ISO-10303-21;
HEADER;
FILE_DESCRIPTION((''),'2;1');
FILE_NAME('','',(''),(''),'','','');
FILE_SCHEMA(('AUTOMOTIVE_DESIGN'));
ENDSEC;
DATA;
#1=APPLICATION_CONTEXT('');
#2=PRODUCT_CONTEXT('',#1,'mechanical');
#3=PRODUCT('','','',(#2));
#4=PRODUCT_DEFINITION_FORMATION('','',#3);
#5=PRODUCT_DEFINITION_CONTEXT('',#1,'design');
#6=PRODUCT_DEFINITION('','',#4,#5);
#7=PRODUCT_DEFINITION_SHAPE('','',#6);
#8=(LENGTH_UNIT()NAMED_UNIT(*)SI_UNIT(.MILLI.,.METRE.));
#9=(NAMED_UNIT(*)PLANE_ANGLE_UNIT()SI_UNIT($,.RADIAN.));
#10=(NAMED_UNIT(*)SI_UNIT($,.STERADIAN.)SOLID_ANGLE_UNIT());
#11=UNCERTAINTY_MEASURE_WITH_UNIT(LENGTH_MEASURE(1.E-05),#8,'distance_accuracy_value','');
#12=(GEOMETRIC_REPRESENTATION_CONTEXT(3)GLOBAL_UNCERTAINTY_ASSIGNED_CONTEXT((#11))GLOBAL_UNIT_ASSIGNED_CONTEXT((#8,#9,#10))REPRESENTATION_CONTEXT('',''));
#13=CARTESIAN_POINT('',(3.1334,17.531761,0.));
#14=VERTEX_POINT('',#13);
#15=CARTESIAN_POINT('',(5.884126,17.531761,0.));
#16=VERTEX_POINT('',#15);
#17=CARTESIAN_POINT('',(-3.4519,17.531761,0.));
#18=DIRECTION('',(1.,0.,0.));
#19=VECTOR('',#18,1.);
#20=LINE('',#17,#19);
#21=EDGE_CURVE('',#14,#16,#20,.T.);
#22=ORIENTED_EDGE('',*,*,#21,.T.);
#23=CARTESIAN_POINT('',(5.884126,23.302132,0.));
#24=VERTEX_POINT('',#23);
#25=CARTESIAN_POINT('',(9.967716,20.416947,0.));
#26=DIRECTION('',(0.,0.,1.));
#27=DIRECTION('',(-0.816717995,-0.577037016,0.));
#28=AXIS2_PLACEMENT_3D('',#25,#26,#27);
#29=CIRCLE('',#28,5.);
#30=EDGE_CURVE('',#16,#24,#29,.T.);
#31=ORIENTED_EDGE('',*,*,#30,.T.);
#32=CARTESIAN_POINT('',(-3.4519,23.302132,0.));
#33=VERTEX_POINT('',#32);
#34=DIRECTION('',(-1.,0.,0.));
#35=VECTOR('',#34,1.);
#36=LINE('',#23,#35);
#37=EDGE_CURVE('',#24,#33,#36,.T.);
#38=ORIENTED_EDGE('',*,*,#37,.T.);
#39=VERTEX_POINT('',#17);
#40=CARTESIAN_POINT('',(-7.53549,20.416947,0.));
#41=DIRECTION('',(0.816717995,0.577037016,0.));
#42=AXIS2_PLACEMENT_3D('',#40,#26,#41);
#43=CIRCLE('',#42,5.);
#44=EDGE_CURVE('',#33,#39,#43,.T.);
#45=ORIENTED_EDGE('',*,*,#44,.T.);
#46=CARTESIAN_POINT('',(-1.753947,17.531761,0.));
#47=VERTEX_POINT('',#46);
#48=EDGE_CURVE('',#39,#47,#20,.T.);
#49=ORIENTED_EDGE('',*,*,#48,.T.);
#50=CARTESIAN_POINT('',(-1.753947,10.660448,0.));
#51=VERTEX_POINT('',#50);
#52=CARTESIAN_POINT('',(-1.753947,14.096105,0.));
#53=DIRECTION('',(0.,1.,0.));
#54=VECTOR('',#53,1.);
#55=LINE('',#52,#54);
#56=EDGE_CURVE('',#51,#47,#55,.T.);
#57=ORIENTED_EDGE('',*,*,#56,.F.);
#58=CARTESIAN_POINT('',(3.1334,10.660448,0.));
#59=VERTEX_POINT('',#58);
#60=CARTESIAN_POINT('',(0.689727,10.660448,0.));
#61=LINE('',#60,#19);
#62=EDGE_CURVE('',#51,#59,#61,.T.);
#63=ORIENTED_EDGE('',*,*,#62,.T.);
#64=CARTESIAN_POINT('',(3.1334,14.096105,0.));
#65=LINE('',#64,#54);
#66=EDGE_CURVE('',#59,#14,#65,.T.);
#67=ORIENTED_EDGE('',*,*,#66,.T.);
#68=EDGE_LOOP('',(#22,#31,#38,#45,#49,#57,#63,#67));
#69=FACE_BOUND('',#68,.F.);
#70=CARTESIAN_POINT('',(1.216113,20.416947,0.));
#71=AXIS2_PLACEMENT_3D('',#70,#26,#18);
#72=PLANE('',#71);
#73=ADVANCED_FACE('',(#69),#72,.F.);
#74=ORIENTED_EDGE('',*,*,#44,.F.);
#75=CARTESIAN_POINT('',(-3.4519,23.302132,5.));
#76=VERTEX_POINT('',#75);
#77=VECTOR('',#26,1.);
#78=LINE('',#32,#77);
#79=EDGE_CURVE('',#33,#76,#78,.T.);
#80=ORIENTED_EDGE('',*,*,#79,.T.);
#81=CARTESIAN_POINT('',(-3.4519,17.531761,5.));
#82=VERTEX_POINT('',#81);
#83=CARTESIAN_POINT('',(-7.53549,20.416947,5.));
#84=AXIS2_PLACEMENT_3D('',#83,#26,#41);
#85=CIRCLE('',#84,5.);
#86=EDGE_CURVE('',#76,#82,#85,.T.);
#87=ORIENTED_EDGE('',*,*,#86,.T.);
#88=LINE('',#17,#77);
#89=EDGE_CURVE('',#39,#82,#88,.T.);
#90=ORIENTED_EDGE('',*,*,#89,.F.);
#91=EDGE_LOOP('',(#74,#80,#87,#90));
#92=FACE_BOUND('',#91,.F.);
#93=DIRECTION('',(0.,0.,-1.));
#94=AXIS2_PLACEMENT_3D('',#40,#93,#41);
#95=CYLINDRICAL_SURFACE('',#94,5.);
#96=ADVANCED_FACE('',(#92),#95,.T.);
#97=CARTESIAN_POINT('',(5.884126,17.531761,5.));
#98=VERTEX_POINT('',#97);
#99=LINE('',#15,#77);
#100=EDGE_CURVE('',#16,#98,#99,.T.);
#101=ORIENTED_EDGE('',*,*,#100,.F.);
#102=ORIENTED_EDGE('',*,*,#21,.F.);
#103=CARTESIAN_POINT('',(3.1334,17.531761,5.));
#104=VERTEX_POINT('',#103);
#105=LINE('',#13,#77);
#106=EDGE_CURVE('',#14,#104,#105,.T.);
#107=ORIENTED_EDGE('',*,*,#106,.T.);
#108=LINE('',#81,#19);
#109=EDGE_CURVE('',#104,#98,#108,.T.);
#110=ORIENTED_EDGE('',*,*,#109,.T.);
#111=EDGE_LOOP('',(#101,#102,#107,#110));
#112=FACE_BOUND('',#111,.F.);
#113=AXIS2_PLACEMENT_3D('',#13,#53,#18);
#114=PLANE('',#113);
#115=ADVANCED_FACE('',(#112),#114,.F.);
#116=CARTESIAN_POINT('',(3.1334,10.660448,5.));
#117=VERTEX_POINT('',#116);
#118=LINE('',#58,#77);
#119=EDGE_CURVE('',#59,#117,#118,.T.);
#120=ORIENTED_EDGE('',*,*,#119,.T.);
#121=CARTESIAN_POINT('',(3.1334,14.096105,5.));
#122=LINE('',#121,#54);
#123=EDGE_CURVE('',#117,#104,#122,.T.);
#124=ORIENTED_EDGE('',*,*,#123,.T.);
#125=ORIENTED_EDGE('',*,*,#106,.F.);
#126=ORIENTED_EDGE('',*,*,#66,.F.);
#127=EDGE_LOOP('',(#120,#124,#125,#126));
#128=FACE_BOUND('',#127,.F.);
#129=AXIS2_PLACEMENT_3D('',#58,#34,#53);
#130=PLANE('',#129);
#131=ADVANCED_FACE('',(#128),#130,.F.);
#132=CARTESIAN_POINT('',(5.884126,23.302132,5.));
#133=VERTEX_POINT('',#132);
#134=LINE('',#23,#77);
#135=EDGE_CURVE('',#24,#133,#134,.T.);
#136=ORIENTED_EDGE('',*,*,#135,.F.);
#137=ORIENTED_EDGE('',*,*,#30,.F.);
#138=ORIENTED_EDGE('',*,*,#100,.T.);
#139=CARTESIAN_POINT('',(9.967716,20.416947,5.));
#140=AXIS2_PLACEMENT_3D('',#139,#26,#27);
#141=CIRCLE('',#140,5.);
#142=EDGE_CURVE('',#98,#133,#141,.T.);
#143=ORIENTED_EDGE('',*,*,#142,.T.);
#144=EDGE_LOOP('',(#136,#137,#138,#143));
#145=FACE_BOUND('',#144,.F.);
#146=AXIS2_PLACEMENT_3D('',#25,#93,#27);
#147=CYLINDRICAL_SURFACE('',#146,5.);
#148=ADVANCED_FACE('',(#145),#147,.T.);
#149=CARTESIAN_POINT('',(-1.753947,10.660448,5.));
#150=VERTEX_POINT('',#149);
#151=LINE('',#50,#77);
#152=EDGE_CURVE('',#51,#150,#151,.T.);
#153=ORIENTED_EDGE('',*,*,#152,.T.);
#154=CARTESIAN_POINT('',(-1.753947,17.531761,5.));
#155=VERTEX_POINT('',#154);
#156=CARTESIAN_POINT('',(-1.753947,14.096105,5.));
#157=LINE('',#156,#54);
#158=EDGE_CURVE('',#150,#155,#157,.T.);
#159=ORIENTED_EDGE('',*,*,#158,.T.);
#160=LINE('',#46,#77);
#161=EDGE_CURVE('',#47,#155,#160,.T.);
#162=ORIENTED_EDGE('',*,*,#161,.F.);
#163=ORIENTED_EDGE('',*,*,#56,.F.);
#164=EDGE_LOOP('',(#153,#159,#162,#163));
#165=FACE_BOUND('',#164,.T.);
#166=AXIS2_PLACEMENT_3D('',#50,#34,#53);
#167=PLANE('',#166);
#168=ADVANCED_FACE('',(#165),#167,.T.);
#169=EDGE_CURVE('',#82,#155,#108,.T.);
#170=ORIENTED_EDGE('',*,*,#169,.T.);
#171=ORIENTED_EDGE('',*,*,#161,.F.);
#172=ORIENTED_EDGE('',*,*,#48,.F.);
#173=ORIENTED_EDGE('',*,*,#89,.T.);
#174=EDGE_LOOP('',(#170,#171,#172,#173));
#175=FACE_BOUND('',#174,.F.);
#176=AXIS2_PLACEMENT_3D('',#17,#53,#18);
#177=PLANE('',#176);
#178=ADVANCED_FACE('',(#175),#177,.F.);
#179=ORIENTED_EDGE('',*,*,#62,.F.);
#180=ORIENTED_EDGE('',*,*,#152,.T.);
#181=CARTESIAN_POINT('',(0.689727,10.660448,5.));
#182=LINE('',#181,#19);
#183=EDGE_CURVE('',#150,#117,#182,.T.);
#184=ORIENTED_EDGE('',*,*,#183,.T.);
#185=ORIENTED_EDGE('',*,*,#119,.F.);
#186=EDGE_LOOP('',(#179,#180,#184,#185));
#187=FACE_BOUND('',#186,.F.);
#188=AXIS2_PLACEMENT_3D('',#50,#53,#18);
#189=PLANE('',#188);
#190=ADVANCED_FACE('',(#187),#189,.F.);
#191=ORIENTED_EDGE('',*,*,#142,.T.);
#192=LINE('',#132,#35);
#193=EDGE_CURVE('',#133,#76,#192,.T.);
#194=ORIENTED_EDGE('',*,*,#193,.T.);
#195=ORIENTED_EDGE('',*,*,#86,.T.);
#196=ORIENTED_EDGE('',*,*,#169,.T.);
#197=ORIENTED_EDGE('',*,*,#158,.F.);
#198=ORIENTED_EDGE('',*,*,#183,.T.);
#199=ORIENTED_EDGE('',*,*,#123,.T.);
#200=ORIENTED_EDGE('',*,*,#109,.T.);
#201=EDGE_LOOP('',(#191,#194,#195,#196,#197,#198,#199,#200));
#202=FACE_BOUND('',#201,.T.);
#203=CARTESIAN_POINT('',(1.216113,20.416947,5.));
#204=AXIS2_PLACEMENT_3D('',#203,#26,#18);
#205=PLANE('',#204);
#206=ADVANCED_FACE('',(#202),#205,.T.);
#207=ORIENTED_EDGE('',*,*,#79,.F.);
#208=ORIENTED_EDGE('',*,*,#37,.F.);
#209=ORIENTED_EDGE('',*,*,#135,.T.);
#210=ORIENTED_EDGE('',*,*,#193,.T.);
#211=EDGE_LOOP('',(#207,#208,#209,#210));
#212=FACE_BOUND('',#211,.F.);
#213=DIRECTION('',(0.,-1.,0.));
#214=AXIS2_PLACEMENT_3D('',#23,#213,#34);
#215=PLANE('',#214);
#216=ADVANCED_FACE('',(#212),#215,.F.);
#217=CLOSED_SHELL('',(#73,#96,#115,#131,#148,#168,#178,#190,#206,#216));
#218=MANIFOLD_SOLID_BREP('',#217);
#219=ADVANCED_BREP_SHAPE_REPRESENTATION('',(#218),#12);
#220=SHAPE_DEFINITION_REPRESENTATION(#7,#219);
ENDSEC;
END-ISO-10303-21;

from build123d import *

# Parameters (mm, degrees)
F0_W     = 4.8873469356
F0_H     = 6.8713130732
F1_DEPTH = 5


with BuildPart() as f1:
    # F0 (on Top) → F1 (new body)
    with BuildSketch(Plane.XY):
        Polygon((-3.4519004795, 23.3021316447), (-3.4519004795, 17.5317614882), (-1.7539468208, 17.5317614882), (3.1334001148, 17.5317614882), (5.8841257515, 17.5317614882), (5.8841257515, 23.3021316447), align=None)
        with BuildLine():
            ThreePointArc((-3.4519004795, 23.3021316447), (-12.535490452, 20.4169465664), (-3.4519004795, 17.5317614882))
            Line((-3.4519004795, 17.5317614882), (-3.4519004795, 23.3021316447))
        make_face()
        with Locations((0.689726647, 14.0961049516)):
            Rectangle(F0_W, F0_H)
        with BuildLine():
            ThreePointArc((5.8841257515, 17.5317614882), (14.9677157241, 20.4169465664), (5.8841257515, 23.3021316447))
            Line((5.8841257515, 23.3021316447), (5.8841257515, 17.5317614882))
        make_face()
    extrude(amount=F1_DEPTH)


solid = f1.part
